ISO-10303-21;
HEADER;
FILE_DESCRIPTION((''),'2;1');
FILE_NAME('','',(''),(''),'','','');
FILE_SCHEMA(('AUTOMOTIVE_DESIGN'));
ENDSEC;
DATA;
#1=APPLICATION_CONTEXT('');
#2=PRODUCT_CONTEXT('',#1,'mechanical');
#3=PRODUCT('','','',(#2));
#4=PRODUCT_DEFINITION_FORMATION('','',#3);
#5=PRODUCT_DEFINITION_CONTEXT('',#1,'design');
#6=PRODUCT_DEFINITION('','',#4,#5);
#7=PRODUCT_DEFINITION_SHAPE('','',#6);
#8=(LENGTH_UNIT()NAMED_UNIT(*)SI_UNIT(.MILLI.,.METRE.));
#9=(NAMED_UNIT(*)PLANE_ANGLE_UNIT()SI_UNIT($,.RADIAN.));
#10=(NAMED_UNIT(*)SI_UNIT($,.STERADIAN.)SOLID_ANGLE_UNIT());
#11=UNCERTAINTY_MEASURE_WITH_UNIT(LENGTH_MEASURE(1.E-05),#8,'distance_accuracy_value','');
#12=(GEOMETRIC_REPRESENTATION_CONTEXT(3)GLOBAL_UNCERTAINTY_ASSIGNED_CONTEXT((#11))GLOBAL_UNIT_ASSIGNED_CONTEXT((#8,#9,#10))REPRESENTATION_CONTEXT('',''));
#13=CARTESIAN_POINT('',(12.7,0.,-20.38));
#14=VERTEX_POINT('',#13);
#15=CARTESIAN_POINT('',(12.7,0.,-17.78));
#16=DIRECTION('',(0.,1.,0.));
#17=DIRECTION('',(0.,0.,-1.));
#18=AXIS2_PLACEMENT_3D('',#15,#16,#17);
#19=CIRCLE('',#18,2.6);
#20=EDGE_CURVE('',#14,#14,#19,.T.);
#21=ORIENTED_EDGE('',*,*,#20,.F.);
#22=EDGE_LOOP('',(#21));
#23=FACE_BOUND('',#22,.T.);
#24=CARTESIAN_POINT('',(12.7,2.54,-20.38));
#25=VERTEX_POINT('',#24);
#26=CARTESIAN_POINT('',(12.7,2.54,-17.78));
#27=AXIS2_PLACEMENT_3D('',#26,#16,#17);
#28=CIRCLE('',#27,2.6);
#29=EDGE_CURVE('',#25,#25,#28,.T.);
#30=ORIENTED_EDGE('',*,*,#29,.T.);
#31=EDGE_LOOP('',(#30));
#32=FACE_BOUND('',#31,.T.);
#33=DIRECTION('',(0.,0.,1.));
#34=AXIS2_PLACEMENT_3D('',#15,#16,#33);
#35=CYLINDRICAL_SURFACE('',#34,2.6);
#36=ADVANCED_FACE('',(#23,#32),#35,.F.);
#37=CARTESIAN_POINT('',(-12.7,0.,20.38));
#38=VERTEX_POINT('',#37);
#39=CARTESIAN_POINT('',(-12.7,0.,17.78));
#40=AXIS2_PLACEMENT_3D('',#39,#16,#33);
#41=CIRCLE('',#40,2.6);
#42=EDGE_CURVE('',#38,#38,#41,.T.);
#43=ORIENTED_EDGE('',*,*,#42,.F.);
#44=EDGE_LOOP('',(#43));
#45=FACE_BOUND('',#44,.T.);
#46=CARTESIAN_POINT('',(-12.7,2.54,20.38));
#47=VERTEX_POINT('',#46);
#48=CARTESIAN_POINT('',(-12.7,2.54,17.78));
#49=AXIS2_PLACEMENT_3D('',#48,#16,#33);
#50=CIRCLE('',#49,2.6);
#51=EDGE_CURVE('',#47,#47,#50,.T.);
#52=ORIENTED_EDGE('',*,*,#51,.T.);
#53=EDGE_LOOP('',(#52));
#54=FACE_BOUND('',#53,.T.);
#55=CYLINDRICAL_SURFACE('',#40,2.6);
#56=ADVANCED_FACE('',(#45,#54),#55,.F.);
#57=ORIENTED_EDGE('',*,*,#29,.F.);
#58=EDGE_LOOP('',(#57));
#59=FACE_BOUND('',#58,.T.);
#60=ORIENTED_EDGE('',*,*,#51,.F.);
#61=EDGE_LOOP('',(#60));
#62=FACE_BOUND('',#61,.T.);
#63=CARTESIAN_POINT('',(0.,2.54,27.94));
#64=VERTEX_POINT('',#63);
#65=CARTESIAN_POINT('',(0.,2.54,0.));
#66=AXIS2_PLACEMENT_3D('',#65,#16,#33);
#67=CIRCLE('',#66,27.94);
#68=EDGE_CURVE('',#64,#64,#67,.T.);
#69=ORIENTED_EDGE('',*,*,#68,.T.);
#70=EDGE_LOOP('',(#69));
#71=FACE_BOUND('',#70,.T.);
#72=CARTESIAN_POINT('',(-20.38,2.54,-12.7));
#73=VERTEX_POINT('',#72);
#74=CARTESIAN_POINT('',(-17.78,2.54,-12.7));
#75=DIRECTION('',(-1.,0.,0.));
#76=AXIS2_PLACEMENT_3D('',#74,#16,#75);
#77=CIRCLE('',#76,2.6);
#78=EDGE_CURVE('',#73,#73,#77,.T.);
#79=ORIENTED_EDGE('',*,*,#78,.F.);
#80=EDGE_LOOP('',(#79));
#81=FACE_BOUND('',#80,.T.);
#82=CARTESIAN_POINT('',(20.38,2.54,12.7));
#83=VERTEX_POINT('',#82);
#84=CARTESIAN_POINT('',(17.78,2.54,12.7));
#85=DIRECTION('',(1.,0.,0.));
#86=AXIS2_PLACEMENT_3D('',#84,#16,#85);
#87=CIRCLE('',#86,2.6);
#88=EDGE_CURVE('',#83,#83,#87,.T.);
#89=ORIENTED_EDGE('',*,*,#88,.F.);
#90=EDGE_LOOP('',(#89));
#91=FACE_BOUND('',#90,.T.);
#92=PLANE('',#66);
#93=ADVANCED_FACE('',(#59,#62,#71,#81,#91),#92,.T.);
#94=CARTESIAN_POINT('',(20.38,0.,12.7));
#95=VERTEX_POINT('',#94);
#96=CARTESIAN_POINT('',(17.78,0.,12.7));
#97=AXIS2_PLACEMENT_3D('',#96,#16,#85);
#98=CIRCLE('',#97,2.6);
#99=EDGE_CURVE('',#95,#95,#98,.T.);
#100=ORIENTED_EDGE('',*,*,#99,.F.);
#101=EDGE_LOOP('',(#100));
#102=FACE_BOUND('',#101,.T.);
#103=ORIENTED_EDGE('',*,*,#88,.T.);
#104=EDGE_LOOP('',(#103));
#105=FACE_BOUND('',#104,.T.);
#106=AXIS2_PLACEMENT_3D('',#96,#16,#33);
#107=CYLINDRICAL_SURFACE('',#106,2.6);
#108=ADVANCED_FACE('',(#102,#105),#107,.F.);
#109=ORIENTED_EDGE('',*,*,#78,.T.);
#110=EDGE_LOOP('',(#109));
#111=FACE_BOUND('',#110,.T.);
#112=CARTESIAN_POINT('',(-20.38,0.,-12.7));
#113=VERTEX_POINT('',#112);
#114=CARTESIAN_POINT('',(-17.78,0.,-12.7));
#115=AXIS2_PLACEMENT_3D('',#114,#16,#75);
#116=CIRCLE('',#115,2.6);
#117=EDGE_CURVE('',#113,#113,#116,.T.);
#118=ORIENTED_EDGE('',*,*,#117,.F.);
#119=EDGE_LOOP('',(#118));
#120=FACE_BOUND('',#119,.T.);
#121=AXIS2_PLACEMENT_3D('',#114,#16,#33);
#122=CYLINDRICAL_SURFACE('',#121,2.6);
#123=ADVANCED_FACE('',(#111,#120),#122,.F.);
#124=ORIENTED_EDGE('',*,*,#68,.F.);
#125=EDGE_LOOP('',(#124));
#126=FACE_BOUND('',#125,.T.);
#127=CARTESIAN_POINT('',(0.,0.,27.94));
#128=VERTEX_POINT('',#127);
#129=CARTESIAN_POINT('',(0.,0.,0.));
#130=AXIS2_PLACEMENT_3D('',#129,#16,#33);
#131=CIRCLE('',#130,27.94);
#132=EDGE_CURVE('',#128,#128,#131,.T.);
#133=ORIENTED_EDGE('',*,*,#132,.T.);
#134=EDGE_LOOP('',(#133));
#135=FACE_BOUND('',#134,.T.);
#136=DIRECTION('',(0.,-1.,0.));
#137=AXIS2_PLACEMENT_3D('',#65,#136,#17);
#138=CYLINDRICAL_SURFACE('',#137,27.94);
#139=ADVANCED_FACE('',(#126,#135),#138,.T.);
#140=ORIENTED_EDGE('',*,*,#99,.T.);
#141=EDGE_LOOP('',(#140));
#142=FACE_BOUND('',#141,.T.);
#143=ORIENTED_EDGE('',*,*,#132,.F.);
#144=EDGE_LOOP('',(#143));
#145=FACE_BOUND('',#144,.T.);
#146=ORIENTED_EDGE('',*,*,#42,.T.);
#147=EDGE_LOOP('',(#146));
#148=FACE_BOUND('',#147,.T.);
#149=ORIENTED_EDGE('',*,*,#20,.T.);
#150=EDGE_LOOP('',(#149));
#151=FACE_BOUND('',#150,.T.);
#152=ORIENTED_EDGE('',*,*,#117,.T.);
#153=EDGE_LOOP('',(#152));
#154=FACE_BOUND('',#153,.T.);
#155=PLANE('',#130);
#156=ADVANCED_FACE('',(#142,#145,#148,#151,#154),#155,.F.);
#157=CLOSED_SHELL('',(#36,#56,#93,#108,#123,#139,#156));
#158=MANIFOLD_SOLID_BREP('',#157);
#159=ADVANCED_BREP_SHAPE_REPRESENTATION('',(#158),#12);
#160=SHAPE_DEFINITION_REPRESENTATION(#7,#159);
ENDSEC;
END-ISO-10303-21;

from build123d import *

# Parameters (mm, degrees)
SKETCH1_R           = 27.94
BOSS_EXTRUDE1_DEPTH = 2.54
SKETCH2_R           = 2.6
CUT_EXTRUDE1_DEPTH  = 40.594681461
CIRPATTERN1_COUNT   = 4


with BuildPart() as part:
    # Sketch1 → Boss-Extrude1 (new body)
    with BuildSketch(Plane(origin=(0, 0, 0), x_dir=(1, 0, 0), z_dir=(0, 1, 0))):
        with Locations(Location((0, 0, 0), (0, 0, 270))):
            Circle(SKETCH1_R)
    extrude(amount=BOSS_EXTRUDE1_DEPTH)

    # Sketch2 → Cut-Extrude1 (cut, through all)
    with BuildSketch(Plane(origin=(0, 2.54, 0), x_dir=(1, 0, 0), z_dir=(0, 1, 0))):
        with Locations(Location((-12.7, -17.78, 0), (0, 0, 270))):
            Circle(SKETCH2_R)
    cut_extrude1 = extrude(amount=-CUT_EXTRUDE1_DEPTH, mode=Mode.SUBTRACT)

    # CirPattern1: Cut-Extrude1 ×4 about axis
    cirpattern1_axis = Axis((0, 0, 0), (0, 1, 0))
    for i in range(1, CIRPATTERN1_COUNT):
        add(cut_extrude1.rotate(cirpattern1_axis, i * 360 / CIRPATTERN1_COUNT), mode=Mode.SUBTRACT)


solid = part.part
